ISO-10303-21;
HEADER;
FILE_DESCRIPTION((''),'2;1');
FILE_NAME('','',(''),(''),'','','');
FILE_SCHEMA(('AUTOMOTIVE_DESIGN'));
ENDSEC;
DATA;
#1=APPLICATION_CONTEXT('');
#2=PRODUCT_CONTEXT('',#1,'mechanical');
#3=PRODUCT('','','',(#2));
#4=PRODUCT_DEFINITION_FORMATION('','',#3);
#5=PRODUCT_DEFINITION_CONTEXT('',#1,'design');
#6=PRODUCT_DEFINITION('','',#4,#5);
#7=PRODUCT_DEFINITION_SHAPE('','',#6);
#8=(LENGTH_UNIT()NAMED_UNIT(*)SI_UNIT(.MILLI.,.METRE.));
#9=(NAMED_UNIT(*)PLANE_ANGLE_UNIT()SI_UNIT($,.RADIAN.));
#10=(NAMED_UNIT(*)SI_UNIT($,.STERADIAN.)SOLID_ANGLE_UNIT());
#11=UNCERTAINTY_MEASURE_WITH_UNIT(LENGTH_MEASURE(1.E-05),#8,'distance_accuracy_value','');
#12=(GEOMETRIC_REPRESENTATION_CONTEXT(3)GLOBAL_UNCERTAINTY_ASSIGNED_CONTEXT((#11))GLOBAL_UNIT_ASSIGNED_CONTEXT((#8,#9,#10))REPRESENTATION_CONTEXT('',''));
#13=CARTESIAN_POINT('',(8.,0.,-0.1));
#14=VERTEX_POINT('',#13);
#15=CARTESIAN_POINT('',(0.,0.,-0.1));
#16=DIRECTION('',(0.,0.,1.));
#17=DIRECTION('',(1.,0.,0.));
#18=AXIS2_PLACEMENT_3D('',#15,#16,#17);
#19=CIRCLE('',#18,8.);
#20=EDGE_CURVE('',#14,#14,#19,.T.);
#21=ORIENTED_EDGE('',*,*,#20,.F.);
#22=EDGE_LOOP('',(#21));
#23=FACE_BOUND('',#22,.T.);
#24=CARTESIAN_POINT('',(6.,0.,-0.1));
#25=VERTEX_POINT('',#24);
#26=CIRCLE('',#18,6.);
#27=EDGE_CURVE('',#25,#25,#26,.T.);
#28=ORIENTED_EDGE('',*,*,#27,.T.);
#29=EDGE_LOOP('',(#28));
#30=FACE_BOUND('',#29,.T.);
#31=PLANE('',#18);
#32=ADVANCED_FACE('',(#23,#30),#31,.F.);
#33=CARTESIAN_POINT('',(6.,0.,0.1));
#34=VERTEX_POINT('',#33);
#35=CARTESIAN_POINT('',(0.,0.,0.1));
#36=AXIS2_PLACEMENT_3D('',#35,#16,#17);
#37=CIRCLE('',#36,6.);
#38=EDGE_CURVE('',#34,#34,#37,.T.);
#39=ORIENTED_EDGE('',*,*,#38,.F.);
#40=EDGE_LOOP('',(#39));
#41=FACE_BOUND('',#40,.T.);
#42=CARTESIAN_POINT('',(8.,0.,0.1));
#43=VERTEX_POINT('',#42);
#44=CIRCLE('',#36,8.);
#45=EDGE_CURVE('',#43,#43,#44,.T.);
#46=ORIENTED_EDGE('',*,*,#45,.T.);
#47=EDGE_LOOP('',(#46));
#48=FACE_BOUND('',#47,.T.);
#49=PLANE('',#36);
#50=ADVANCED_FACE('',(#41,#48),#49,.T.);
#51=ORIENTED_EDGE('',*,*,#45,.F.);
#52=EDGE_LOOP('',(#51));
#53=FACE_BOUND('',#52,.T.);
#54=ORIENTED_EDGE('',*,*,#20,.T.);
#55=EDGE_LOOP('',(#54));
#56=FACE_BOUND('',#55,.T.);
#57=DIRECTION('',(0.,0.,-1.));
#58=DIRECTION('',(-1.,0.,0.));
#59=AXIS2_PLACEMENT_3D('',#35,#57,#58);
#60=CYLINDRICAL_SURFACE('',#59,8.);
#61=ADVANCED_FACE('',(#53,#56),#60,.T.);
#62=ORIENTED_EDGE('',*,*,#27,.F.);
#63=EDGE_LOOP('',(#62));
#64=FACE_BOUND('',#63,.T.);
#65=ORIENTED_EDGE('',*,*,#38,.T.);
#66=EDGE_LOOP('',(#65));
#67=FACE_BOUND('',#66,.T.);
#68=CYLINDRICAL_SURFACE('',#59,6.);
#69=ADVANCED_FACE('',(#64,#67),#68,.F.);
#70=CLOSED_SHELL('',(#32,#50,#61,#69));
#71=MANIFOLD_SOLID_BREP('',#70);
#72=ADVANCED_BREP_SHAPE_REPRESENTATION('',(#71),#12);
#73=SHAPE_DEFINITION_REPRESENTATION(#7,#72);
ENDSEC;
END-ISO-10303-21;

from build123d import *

# Parameters (mm, degrees)
SKETCH_1_R      = 8
SKETCH_1_R_2    = 6
EXTRUDE_1_DEPTH = 0.1


with BuildPart() as part:
    # 草图1 → 凸台-拉伸1 (new, symmetric)
    with BuildSketch(Plane.XY):
        Circle(SKETCH_1_R)
        Circle(SKETCH_1_R_2, mode=Mode.SUBTRACT)
    extrude(amount=EXTRUDE_1_DEPTH, both=True)


solid = part.part
